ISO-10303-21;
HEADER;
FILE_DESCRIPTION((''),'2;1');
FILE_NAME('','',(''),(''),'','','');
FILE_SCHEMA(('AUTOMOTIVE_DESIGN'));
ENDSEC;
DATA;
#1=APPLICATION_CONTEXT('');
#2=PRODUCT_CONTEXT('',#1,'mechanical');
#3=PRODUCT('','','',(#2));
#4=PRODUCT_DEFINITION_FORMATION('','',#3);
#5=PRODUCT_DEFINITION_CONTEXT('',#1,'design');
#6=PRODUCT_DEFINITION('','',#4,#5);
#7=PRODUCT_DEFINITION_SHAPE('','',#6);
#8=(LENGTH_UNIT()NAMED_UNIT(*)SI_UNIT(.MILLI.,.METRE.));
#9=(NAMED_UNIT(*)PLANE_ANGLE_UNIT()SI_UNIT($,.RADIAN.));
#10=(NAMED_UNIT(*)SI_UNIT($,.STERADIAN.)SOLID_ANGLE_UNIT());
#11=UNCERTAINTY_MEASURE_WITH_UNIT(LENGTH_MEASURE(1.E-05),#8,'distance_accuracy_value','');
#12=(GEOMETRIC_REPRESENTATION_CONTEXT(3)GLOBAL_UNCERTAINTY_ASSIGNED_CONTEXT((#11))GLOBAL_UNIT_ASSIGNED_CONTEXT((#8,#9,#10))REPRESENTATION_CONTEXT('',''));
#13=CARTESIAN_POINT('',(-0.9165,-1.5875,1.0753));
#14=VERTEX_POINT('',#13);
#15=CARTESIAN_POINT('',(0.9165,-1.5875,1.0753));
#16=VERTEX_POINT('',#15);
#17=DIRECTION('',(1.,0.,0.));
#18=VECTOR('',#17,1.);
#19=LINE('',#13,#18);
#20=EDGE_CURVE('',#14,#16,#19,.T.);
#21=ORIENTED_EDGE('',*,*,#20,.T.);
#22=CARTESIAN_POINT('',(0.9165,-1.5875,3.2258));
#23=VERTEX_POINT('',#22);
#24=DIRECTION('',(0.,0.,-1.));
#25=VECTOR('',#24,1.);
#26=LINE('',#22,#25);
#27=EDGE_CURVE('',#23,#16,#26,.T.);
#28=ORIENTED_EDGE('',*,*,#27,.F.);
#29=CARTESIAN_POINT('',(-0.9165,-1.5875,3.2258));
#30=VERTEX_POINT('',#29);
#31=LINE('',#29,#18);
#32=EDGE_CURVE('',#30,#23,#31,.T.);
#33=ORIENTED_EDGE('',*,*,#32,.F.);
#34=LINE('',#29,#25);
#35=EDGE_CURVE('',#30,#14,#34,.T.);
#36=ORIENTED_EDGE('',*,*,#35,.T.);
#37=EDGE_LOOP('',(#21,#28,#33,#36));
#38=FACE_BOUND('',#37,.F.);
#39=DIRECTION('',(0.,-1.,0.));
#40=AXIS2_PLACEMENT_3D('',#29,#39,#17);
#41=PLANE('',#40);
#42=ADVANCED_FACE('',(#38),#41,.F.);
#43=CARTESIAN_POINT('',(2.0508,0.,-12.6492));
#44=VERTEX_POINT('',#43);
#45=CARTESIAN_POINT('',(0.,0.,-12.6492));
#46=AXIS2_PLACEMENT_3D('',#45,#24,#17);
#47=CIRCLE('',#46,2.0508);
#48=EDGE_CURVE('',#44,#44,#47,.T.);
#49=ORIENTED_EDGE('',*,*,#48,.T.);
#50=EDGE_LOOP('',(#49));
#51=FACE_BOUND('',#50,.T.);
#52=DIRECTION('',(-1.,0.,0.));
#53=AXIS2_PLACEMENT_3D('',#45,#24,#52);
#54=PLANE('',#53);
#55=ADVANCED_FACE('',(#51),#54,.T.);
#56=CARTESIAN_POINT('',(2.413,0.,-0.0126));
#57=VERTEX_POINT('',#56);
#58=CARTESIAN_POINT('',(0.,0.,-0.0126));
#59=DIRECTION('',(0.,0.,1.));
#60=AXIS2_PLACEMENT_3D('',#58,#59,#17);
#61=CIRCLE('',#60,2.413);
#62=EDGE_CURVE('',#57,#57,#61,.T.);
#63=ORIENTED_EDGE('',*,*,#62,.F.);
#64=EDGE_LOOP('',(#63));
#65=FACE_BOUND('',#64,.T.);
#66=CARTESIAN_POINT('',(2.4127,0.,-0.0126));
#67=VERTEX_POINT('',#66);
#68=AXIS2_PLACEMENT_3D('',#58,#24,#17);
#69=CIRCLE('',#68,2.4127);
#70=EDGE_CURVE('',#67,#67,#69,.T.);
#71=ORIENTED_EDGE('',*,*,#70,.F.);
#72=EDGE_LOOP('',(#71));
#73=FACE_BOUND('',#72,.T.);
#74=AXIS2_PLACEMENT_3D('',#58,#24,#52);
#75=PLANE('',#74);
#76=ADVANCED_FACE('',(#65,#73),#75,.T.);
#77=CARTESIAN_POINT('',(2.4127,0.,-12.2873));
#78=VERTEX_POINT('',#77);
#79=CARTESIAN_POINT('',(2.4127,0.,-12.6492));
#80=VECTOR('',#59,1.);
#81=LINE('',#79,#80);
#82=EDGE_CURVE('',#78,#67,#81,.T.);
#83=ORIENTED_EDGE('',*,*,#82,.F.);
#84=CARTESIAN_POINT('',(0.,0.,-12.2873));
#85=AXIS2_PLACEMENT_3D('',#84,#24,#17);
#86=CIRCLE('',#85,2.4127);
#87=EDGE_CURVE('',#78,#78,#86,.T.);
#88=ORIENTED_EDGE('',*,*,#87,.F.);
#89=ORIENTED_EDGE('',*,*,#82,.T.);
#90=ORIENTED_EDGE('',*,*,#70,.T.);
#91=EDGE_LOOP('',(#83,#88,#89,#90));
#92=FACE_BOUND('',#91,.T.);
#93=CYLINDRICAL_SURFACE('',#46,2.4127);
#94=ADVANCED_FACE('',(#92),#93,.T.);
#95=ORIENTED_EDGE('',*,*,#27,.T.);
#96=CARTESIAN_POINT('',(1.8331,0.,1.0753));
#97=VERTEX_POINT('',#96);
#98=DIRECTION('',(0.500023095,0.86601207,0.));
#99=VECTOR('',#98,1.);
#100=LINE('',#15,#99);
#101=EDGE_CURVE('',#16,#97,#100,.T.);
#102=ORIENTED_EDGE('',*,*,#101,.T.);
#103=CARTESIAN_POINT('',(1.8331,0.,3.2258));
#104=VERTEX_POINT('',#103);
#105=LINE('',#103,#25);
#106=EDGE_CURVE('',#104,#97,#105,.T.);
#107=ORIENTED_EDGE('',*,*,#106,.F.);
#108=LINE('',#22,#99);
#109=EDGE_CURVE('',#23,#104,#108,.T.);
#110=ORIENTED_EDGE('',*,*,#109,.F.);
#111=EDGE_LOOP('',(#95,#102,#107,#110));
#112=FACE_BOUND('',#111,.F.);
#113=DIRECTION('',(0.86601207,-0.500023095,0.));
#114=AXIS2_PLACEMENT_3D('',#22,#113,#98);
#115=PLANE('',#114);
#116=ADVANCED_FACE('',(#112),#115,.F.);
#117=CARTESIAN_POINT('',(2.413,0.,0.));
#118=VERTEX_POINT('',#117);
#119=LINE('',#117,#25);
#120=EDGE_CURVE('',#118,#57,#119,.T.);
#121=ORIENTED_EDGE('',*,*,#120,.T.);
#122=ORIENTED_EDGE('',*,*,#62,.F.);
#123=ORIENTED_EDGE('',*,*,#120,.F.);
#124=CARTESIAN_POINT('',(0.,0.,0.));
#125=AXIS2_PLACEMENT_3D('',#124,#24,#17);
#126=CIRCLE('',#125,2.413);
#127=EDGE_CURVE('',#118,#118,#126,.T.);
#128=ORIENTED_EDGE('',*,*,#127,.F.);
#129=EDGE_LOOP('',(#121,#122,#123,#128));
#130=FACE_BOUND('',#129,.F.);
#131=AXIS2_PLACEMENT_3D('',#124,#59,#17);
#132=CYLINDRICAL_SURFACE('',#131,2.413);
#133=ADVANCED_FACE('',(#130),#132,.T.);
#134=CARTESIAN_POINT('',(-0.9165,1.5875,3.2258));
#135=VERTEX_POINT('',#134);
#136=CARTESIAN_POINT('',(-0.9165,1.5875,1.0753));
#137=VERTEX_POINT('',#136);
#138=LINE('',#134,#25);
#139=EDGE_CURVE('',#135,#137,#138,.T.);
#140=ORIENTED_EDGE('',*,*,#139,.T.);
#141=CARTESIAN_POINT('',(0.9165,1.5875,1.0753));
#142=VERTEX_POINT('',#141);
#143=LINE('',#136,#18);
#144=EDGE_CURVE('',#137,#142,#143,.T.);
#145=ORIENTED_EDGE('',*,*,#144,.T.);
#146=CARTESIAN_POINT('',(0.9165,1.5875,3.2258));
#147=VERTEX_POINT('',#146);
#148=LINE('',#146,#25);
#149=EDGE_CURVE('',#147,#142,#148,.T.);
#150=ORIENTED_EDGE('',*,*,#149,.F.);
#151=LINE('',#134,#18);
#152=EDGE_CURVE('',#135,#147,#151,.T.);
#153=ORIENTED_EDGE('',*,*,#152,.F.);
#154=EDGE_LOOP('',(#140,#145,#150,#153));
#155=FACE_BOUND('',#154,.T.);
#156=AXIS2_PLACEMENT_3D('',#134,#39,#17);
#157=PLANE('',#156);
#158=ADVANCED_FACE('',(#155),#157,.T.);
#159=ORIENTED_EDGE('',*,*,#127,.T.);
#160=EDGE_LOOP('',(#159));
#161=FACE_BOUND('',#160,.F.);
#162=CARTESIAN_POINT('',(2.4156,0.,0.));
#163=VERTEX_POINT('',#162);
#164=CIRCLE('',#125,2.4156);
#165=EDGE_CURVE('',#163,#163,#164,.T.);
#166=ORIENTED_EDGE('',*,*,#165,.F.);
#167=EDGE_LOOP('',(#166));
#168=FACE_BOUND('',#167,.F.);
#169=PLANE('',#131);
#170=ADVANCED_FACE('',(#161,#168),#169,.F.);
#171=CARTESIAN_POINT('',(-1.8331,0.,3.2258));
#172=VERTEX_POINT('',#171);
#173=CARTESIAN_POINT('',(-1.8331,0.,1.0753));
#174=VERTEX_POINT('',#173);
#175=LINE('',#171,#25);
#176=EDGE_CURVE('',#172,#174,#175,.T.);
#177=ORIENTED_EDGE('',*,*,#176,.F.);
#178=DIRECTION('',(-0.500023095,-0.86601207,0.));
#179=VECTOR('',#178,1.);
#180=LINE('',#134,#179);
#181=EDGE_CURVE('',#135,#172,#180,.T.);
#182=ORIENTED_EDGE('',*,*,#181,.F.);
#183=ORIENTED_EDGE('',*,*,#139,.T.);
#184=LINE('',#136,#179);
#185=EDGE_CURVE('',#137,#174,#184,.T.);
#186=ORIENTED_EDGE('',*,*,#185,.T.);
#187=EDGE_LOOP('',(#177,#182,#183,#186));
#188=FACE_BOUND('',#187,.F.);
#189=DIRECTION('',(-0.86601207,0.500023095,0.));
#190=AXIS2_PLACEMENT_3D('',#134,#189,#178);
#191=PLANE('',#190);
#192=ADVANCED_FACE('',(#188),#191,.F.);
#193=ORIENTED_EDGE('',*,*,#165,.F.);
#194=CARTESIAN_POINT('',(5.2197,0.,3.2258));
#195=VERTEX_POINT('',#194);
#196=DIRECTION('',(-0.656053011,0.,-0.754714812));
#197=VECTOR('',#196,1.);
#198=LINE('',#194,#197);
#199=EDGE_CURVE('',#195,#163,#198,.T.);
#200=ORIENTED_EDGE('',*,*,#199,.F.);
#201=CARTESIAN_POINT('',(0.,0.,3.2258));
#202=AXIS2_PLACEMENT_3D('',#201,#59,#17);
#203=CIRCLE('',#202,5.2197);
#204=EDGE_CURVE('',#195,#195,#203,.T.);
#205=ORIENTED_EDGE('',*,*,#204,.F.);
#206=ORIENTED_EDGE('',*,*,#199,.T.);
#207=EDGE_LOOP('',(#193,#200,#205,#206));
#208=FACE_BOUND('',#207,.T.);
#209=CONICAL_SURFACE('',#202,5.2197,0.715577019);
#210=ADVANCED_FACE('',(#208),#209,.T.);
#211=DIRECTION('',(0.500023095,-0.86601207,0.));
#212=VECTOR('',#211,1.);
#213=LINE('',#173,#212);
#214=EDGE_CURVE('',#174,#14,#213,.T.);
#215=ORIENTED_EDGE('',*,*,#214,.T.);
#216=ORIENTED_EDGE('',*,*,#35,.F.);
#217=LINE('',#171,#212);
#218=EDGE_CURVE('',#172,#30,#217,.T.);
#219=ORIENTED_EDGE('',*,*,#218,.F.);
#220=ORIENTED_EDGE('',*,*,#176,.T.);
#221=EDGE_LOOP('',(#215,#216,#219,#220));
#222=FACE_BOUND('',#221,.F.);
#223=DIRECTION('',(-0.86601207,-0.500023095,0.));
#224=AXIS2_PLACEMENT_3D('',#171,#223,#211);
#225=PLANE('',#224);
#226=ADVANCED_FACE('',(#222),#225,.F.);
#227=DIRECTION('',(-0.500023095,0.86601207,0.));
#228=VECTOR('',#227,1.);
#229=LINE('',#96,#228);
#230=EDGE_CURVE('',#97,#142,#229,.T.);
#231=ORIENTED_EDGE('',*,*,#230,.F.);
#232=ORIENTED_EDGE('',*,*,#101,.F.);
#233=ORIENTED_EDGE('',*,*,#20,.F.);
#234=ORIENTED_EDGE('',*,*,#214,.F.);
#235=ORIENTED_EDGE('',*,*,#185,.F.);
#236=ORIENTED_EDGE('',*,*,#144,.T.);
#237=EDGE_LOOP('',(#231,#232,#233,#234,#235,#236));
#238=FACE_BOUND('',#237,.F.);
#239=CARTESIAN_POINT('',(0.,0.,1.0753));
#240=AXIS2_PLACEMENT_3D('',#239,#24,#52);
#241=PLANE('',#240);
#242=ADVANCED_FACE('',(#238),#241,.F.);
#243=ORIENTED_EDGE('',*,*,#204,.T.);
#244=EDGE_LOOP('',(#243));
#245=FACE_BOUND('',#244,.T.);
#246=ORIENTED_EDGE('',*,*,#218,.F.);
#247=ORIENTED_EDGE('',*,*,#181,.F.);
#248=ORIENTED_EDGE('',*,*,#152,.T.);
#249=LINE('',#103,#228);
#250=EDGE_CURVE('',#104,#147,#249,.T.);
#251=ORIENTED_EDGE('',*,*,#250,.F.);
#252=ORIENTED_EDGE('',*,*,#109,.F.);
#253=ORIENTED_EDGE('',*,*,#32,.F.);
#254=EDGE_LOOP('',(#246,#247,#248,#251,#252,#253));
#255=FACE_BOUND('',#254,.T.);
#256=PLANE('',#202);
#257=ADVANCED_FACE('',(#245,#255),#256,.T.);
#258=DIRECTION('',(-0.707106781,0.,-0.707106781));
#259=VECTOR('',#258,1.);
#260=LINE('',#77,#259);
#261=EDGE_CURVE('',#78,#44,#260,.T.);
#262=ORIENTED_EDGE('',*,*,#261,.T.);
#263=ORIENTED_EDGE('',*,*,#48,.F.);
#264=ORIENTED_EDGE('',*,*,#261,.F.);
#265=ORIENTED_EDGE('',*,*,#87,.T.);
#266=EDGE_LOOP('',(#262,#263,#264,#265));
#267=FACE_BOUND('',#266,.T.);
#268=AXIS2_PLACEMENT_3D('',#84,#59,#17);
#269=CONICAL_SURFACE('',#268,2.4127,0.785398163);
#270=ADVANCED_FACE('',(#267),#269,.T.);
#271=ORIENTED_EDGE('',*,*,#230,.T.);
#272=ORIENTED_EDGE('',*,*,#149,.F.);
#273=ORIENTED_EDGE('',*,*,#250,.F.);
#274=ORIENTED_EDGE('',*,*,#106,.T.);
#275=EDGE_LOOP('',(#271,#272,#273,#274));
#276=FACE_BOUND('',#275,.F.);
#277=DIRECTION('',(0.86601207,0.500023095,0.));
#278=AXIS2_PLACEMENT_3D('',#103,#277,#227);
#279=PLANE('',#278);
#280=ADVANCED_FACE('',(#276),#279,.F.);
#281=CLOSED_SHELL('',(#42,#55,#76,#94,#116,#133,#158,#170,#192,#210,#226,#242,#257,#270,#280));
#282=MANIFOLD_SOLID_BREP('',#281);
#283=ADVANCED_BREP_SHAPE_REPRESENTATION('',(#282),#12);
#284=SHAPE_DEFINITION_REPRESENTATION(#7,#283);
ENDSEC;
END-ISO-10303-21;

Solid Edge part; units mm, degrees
sketch "Sketch1" plane through (0, 0, 0) normal (0, 0, 1) x (1, 0, 0)
  circle A0 centre (0, 0) radius 5.2197
  dimension "D1" = 10.4394
extrude "Protrusion1" add sketch "Sketch1" along normal blind 3.2258
sketch "Sketch2" plane through (0, 0, 0) normal (0, 0, -1) x (1, 0, 0)
  circle A0 centre (0, 0) radius 2.413
extrude "Protrusion2" add sketch "Sketch2" along normal blind 12.6492
sketch "Sketch3" plane through (0, 0, -12.6492) normal (0, 0, -1) x (1, 0, 0)
  circle A0 centre (0, 0) radius 2.4127
extrude "Cutout1" cut sketch "Sketch3" against normal blind 12.6366 flip side to cut
chamfer "Chamfer_1" distance 0.3619 angle 45 1 edges at (-2.4127, 0, -12.6492)
sketch "Sketch4" plane through (0, 0, 3.2258) normal (0, 0, 1) x (1, 0, 0)
  line L0 (-0.9165, 1.5875) -> (0.9165, 1.5875)
  line L1 (1.8331, 0) -> (0.9165, 1.5875)
  line L2 (0.9165, -1.5875) -> (1.8331, 0)
  line L3 (-0.9165, -1.5875) -> (0.9165, -1.5875)
  line L4 (-1.8331, 0) -> (-0.9165, -1.5875)
  line L5 (-0.9165, 1.5875) -> (-1.8331, 0)
  dimension "D1" = 3.175
extrude "Cutout2" cut sketch "Sketch4" against normal blind 2.1505
sketch "Sketch5" plane through (0, 0, 0) normal (0, -1, 0) x (1, 0, 0)
  line L0 (5.2197, 3.2258) -> (2.4156, 0)
  line L1 (2.4156, 0) -> (5.2197, 0)
  line L2 (5.2197, 0) -> (5.2197, 3.2258)
revolve "RevolvedCutout1" cut sketch "Sketch5" angle 360 about axis through (0, 0, 14.0017) along (0, 0, -1)
properties part number "24104156"
